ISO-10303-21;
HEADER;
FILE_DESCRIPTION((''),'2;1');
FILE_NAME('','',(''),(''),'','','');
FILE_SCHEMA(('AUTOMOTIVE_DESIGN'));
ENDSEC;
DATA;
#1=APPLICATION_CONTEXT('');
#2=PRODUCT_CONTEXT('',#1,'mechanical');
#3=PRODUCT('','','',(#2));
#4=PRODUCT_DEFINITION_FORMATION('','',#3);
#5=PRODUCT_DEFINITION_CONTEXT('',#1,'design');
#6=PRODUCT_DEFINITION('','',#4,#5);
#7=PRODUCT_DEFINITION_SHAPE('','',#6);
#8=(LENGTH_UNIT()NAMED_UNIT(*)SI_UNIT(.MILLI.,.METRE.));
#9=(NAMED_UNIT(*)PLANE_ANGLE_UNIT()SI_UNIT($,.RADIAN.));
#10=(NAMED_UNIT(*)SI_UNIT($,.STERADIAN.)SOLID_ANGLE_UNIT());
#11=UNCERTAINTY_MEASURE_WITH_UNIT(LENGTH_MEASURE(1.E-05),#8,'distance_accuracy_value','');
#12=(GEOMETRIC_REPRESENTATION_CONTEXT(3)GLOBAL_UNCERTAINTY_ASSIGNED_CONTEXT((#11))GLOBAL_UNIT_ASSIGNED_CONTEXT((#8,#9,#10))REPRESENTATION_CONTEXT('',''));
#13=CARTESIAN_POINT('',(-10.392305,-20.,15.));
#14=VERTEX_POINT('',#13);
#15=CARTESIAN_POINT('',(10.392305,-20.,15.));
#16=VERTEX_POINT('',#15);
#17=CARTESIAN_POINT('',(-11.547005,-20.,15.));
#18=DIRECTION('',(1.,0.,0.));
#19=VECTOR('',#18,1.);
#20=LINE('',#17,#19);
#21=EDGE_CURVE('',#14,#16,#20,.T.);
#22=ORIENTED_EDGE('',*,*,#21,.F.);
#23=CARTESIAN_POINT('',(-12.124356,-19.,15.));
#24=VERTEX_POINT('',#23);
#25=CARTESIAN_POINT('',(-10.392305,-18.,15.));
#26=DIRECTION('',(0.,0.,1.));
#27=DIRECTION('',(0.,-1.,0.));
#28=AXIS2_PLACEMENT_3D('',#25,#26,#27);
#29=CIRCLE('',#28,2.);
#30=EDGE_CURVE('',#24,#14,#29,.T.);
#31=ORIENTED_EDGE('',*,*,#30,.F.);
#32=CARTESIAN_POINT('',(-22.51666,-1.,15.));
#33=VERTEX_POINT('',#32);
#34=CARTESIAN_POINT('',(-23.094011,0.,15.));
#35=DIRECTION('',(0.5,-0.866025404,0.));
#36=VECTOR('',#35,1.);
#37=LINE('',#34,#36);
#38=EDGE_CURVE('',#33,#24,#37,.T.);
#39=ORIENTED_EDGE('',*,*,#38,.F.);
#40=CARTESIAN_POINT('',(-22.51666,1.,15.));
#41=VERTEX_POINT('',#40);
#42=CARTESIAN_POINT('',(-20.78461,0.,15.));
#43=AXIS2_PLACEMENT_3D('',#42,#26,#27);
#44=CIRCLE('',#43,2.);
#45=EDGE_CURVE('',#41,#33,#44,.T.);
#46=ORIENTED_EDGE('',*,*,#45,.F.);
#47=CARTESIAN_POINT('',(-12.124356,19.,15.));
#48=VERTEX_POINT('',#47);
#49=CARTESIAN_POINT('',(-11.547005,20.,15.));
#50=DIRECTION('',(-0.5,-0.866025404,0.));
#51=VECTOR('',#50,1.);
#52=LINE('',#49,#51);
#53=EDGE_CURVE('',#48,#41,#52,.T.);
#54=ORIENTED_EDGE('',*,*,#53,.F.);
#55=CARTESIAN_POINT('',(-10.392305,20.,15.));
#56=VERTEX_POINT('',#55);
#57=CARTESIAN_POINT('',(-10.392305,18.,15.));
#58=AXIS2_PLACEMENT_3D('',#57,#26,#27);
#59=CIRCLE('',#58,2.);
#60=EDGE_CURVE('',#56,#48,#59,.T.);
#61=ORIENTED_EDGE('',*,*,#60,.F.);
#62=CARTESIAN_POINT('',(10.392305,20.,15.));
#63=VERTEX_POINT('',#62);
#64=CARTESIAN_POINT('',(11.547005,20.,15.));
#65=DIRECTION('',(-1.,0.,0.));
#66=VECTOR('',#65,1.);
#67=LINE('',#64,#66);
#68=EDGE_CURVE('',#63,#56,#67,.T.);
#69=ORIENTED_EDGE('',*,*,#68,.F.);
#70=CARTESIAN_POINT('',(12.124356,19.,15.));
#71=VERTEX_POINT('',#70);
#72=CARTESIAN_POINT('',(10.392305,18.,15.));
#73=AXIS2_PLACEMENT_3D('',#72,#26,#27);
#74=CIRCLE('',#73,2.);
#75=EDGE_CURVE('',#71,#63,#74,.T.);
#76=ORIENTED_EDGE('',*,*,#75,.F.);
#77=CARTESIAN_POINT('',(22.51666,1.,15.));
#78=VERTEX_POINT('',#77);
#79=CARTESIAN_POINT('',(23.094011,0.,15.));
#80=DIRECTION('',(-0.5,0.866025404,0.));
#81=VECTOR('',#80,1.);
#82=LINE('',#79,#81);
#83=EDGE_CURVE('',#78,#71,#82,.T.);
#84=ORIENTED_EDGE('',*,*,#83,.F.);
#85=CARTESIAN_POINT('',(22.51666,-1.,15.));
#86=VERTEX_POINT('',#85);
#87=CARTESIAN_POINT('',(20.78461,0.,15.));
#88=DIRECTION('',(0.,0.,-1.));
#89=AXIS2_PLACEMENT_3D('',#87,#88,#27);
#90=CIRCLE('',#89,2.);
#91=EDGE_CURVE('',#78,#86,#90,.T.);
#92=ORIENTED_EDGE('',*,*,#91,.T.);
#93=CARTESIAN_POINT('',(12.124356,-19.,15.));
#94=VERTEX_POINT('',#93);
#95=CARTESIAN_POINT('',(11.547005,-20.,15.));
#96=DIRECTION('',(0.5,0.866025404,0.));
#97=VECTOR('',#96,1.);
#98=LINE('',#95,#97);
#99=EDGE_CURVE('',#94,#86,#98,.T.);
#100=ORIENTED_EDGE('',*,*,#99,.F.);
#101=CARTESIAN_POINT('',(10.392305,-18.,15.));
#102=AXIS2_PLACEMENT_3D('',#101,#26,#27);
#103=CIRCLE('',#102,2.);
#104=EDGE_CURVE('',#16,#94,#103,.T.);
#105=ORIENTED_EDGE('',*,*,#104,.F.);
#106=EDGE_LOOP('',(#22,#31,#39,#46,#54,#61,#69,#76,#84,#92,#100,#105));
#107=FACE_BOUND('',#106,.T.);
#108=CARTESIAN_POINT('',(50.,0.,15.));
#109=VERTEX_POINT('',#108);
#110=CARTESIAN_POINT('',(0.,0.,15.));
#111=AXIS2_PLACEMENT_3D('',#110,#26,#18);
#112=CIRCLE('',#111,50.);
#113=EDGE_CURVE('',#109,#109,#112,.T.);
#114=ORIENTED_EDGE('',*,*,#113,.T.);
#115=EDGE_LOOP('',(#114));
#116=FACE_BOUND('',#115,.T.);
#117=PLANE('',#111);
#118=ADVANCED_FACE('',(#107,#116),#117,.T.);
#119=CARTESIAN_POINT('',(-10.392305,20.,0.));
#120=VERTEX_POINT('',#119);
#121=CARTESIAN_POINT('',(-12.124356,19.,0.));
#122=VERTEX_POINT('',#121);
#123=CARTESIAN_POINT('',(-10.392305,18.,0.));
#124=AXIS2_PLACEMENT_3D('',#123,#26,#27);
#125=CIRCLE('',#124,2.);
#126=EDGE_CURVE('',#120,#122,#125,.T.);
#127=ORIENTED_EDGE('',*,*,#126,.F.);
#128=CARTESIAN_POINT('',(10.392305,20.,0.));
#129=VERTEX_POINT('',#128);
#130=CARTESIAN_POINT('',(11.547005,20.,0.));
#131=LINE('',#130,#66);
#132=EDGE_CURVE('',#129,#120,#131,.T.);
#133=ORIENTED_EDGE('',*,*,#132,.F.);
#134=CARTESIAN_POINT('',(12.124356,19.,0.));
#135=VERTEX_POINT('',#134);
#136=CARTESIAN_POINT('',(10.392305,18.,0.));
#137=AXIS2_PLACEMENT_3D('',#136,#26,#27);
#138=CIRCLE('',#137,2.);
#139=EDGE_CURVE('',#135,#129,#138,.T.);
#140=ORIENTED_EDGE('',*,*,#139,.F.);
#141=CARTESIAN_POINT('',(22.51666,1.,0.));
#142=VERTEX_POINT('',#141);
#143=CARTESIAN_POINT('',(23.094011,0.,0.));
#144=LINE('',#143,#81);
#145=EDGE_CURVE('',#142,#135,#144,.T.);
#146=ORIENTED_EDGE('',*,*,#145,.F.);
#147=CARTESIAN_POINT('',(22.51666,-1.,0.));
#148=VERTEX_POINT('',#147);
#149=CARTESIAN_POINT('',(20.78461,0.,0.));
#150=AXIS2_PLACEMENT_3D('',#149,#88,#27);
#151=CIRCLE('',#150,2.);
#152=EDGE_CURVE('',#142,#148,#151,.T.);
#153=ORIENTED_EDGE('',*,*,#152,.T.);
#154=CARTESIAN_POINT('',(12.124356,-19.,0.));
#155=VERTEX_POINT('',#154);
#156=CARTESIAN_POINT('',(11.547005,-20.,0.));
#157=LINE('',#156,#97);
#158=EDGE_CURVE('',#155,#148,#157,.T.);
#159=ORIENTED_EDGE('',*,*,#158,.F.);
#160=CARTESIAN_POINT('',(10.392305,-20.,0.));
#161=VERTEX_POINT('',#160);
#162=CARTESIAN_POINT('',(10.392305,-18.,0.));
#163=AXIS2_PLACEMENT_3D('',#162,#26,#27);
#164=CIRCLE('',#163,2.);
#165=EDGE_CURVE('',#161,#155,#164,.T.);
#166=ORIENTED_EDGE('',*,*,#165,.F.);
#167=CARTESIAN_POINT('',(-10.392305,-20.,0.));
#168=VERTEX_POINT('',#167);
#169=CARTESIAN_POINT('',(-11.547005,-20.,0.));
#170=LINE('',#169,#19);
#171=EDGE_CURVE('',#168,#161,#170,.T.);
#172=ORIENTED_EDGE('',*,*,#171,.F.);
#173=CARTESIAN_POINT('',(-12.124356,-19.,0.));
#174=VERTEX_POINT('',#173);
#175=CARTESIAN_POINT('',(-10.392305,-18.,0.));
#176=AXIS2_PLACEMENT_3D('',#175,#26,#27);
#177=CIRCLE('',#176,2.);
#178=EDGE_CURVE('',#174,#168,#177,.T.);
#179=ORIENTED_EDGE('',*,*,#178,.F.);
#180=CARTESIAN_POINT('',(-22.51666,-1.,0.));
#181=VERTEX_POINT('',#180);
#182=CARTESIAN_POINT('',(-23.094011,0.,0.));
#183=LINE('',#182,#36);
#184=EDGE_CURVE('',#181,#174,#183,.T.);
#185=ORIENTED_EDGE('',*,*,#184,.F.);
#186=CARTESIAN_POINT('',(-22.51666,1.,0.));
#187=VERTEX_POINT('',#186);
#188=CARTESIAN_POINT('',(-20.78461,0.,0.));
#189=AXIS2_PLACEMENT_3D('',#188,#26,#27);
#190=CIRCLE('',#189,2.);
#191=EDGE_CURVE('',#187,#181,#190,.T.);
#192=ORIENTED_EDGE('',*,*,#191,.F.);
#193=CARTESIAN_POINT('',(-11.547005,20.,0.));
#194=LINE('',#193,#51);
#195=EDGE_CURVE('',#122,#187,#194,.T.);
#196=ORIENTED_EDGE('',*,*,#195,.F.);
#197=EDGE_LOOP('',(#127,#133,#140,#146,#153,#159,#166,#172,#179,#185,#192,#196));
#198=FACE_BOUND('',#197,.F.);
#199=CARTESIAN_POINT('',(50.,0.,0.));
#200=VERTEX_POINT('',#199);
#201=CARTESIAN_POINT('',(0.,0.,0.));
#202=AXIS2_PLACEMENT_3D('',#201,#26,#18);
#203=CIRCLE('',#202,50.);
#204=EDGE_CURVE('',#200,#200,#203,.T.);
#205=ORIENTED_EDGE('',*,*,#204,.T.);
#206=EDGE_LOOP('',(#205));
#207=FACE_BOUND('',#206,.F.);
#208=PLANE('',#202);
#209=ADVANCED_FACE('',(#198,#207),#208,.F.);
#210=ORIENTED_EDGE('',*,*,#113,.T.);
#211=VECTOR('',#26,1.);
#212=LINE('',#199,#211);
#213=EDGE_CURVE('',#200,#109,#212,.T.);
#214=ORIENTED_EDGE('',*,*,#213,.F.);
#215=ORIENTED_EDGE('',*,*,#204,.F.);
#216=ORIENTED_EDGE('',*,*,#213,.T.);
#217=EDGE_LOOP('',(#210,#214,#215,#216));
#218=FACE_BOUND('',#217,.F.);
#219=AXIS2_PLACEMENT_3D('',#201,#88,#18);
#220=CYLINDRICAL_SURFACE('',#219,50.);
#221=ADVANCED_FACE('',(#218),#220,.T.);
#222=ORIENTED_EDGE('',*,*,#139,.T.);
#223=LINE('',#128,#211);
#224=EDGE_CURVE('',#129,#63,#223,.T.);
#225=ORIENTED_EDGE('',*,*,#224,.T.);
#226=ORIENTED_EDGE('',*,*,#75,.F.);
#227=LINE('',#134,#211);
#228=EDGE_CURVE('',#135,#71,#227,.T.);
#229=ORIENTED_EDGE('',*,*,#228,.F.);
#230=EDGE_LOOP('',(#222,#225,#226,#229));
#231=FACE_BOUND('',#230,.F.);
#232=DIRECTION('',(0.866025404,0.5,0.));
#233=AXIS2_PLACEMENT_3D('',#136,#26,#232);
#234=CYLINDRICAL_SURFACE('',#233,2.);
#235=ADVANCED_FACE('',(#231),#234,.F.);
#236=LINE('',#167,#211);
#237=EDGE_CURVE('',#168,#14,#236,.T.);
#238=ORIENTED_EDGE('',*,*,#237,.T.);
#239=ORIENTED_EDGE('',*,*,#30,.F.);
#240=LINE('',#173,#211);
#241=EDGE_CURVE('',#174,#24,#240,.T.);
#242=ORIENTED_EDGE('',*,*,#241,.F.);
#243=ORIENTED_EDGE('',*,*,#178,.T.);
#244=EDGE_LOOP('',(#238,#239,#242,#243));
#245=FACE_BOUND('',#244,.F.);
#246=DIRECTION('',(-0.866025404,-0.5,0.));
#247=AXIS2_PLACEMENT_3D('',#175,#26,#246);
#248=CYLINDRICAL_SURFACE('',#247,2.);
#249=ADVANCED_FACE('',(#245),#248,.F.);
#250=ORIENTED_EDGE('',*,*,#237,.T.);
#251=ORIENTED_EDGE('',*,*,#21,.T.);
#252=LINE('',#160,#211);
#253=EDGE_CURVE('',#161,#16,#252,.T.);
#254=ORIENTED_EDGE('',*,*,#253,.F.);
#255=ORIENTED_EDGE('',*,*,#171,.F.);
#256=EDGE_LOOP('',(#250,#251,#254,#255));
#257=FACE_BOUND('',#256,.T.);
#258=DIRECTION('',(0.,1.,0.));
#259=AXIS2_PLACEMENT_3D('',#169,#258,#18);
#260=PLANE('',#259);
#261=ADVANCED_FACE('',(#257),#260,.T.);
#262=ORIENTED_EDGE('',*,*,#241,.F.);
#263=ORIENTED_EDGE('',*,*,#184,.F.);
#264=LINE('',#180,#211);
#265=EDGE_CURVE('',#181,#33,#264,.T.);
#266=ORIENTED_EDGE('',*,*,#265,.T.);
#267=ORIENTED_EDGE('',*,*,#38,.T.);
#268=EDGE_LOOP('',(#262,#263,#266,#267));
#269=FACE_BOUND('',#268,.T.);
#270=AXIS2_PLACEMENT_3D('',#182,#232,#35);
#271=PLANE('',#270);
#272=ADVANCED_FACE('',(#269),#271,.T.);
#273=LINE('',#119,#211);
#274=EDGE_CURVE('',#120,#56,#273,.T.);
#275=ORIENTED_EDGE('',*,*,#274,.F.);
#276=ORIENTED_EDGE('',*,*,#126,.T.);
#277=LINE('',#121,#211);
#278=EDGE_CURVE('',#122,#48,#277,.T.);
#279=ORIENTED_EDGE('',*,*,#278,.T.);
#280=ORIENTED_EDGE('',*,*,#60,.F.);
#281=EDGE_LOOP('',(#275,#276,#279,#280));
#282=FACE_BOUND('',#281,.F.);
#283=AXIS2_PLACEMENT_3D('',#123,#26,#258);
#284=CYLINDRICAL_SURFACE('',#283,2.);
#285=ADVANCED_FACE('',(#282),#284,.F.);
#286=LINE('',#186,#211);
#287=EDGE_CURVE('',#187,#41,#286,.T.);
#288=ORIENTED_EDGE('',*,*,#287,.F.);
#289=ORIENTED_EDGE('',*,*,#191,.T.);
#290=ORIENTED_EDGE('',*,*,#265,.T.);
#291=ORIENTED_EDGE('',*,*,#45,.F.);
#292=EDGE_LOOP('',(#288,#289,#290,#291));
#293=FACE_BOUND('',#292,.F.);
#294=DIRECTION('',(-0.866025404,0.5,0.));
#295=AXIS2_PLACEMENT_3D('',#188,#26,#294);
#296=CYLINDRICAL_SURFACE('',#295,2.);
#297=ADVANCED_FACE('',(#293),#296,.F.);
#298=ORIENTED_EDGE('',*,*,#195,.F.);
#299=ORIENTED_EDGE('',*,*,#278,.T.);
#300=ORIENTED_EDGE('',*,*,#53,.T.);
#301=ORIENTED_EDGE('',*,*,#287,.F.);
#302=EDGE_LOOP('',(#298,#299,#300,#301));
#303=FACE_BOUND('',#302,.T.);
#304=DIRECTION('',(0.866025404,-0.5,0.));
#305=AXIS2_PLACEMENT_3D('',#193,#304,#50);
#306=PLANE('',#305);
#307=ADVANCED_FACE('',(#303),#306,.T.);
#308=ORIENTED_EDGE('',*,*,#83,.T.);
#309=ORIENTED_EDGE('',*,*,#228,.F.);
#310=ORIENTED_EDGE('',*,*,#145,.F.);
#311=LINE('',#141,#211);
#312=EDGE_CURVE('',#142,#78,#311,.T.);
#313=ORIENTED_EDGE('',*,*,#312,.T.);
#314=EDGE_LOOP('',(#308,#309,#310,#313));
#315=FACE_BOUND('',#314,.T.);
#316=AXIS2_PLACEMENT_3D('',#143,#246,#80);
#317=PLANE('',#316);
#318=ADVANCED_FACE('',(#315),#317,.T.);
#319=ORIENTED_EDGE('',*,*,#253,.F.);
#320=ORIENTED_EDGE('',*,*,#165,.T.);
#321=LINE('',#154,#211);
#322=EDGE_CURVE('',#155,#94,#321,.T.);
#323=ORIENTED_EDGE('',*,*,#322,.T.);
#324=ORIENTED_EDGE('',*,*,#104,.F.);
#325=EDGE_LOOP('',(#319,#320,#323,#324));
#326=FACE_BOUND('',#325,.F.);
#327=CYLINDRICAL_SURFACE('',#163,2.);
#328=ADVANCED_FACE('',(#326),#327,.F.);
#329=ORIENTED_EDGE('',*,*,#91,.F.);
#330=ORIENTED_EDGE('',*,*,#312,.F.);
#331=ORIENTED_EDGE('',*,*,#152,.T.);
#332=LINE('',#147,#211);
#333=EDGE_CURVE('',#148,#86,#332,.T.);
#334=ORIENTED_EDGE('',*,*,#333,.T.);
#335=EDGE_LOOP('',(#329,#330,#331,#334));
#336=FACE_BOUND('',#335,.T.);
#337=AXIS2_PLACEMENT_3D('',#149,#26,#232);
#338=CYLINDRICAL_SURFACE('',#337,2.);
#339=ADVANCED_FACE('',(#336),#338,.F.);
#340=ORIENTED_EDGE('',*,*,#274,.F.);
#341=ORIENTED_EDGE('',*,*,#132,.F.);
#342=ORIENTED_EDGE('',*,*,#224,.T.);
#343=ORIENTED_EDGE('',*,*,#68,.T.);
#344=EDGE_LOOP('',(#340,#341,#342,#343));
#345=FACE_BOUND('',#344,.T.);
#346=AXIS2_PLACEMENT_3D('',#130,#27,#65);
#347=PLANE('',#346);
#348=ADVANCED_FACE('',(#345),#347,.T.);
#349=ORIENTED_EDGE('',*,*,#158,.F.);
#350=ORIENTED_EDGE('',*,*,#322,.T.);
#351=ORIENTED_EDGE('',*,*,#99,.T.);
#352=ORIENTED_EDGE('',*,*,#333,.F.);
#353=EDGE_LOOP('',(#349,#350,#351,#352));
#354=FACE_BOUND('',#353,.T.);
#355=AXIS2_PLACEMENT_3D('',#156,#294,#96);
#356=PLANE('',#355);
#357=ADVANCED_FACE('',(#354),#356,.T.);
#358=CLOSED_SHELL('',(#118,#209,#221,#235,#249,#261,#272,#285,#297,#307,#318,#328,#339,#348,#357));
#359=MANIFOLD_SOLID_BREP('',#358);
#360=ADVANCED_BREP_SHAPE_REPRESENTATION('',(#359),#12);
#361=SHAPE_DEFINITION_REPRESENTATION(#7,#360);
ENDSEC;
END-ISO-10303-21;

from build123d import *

# Parameters (mm, degrees)
SKETCH1_R           = 50
BOSS_EXTRUDE2_DEPTH = 15
FILLET1_R           = 2


with BuildPart() as part:
    # Sketch1 → Boss-Extrude2 (new body)
    with BuildSketch(Plane.XY):
        Circle(SKETCH1_R)
        Polygon((23.094010768, 0), (11.547005384, 20), (-11.547005384, 20), (-23.094010768, 0), (-11.547005384, -20), (11.547005384, -20), align=None, mode=Mode.SUBTRACT)
    extrude(amount=BOSS_EXTRUDE2_DEPTH)

    # Fillet1
    fillet1_edges = [part.edges().sort_by_distance(p)[0] for p in [
        (23.094010768, 0, 7.5),
        (11.547005384, 20, 7.5),
        (-11.547005384, 20, 7.5),
        (-23.094010768, 0, 7.5),
        (-11.547005384, -20, 7.5),
        (11.547005384, -20, 7.5),
    ]]
    fillet(fillet1_edges, radius=FILLET1_R)


solid = part.part
